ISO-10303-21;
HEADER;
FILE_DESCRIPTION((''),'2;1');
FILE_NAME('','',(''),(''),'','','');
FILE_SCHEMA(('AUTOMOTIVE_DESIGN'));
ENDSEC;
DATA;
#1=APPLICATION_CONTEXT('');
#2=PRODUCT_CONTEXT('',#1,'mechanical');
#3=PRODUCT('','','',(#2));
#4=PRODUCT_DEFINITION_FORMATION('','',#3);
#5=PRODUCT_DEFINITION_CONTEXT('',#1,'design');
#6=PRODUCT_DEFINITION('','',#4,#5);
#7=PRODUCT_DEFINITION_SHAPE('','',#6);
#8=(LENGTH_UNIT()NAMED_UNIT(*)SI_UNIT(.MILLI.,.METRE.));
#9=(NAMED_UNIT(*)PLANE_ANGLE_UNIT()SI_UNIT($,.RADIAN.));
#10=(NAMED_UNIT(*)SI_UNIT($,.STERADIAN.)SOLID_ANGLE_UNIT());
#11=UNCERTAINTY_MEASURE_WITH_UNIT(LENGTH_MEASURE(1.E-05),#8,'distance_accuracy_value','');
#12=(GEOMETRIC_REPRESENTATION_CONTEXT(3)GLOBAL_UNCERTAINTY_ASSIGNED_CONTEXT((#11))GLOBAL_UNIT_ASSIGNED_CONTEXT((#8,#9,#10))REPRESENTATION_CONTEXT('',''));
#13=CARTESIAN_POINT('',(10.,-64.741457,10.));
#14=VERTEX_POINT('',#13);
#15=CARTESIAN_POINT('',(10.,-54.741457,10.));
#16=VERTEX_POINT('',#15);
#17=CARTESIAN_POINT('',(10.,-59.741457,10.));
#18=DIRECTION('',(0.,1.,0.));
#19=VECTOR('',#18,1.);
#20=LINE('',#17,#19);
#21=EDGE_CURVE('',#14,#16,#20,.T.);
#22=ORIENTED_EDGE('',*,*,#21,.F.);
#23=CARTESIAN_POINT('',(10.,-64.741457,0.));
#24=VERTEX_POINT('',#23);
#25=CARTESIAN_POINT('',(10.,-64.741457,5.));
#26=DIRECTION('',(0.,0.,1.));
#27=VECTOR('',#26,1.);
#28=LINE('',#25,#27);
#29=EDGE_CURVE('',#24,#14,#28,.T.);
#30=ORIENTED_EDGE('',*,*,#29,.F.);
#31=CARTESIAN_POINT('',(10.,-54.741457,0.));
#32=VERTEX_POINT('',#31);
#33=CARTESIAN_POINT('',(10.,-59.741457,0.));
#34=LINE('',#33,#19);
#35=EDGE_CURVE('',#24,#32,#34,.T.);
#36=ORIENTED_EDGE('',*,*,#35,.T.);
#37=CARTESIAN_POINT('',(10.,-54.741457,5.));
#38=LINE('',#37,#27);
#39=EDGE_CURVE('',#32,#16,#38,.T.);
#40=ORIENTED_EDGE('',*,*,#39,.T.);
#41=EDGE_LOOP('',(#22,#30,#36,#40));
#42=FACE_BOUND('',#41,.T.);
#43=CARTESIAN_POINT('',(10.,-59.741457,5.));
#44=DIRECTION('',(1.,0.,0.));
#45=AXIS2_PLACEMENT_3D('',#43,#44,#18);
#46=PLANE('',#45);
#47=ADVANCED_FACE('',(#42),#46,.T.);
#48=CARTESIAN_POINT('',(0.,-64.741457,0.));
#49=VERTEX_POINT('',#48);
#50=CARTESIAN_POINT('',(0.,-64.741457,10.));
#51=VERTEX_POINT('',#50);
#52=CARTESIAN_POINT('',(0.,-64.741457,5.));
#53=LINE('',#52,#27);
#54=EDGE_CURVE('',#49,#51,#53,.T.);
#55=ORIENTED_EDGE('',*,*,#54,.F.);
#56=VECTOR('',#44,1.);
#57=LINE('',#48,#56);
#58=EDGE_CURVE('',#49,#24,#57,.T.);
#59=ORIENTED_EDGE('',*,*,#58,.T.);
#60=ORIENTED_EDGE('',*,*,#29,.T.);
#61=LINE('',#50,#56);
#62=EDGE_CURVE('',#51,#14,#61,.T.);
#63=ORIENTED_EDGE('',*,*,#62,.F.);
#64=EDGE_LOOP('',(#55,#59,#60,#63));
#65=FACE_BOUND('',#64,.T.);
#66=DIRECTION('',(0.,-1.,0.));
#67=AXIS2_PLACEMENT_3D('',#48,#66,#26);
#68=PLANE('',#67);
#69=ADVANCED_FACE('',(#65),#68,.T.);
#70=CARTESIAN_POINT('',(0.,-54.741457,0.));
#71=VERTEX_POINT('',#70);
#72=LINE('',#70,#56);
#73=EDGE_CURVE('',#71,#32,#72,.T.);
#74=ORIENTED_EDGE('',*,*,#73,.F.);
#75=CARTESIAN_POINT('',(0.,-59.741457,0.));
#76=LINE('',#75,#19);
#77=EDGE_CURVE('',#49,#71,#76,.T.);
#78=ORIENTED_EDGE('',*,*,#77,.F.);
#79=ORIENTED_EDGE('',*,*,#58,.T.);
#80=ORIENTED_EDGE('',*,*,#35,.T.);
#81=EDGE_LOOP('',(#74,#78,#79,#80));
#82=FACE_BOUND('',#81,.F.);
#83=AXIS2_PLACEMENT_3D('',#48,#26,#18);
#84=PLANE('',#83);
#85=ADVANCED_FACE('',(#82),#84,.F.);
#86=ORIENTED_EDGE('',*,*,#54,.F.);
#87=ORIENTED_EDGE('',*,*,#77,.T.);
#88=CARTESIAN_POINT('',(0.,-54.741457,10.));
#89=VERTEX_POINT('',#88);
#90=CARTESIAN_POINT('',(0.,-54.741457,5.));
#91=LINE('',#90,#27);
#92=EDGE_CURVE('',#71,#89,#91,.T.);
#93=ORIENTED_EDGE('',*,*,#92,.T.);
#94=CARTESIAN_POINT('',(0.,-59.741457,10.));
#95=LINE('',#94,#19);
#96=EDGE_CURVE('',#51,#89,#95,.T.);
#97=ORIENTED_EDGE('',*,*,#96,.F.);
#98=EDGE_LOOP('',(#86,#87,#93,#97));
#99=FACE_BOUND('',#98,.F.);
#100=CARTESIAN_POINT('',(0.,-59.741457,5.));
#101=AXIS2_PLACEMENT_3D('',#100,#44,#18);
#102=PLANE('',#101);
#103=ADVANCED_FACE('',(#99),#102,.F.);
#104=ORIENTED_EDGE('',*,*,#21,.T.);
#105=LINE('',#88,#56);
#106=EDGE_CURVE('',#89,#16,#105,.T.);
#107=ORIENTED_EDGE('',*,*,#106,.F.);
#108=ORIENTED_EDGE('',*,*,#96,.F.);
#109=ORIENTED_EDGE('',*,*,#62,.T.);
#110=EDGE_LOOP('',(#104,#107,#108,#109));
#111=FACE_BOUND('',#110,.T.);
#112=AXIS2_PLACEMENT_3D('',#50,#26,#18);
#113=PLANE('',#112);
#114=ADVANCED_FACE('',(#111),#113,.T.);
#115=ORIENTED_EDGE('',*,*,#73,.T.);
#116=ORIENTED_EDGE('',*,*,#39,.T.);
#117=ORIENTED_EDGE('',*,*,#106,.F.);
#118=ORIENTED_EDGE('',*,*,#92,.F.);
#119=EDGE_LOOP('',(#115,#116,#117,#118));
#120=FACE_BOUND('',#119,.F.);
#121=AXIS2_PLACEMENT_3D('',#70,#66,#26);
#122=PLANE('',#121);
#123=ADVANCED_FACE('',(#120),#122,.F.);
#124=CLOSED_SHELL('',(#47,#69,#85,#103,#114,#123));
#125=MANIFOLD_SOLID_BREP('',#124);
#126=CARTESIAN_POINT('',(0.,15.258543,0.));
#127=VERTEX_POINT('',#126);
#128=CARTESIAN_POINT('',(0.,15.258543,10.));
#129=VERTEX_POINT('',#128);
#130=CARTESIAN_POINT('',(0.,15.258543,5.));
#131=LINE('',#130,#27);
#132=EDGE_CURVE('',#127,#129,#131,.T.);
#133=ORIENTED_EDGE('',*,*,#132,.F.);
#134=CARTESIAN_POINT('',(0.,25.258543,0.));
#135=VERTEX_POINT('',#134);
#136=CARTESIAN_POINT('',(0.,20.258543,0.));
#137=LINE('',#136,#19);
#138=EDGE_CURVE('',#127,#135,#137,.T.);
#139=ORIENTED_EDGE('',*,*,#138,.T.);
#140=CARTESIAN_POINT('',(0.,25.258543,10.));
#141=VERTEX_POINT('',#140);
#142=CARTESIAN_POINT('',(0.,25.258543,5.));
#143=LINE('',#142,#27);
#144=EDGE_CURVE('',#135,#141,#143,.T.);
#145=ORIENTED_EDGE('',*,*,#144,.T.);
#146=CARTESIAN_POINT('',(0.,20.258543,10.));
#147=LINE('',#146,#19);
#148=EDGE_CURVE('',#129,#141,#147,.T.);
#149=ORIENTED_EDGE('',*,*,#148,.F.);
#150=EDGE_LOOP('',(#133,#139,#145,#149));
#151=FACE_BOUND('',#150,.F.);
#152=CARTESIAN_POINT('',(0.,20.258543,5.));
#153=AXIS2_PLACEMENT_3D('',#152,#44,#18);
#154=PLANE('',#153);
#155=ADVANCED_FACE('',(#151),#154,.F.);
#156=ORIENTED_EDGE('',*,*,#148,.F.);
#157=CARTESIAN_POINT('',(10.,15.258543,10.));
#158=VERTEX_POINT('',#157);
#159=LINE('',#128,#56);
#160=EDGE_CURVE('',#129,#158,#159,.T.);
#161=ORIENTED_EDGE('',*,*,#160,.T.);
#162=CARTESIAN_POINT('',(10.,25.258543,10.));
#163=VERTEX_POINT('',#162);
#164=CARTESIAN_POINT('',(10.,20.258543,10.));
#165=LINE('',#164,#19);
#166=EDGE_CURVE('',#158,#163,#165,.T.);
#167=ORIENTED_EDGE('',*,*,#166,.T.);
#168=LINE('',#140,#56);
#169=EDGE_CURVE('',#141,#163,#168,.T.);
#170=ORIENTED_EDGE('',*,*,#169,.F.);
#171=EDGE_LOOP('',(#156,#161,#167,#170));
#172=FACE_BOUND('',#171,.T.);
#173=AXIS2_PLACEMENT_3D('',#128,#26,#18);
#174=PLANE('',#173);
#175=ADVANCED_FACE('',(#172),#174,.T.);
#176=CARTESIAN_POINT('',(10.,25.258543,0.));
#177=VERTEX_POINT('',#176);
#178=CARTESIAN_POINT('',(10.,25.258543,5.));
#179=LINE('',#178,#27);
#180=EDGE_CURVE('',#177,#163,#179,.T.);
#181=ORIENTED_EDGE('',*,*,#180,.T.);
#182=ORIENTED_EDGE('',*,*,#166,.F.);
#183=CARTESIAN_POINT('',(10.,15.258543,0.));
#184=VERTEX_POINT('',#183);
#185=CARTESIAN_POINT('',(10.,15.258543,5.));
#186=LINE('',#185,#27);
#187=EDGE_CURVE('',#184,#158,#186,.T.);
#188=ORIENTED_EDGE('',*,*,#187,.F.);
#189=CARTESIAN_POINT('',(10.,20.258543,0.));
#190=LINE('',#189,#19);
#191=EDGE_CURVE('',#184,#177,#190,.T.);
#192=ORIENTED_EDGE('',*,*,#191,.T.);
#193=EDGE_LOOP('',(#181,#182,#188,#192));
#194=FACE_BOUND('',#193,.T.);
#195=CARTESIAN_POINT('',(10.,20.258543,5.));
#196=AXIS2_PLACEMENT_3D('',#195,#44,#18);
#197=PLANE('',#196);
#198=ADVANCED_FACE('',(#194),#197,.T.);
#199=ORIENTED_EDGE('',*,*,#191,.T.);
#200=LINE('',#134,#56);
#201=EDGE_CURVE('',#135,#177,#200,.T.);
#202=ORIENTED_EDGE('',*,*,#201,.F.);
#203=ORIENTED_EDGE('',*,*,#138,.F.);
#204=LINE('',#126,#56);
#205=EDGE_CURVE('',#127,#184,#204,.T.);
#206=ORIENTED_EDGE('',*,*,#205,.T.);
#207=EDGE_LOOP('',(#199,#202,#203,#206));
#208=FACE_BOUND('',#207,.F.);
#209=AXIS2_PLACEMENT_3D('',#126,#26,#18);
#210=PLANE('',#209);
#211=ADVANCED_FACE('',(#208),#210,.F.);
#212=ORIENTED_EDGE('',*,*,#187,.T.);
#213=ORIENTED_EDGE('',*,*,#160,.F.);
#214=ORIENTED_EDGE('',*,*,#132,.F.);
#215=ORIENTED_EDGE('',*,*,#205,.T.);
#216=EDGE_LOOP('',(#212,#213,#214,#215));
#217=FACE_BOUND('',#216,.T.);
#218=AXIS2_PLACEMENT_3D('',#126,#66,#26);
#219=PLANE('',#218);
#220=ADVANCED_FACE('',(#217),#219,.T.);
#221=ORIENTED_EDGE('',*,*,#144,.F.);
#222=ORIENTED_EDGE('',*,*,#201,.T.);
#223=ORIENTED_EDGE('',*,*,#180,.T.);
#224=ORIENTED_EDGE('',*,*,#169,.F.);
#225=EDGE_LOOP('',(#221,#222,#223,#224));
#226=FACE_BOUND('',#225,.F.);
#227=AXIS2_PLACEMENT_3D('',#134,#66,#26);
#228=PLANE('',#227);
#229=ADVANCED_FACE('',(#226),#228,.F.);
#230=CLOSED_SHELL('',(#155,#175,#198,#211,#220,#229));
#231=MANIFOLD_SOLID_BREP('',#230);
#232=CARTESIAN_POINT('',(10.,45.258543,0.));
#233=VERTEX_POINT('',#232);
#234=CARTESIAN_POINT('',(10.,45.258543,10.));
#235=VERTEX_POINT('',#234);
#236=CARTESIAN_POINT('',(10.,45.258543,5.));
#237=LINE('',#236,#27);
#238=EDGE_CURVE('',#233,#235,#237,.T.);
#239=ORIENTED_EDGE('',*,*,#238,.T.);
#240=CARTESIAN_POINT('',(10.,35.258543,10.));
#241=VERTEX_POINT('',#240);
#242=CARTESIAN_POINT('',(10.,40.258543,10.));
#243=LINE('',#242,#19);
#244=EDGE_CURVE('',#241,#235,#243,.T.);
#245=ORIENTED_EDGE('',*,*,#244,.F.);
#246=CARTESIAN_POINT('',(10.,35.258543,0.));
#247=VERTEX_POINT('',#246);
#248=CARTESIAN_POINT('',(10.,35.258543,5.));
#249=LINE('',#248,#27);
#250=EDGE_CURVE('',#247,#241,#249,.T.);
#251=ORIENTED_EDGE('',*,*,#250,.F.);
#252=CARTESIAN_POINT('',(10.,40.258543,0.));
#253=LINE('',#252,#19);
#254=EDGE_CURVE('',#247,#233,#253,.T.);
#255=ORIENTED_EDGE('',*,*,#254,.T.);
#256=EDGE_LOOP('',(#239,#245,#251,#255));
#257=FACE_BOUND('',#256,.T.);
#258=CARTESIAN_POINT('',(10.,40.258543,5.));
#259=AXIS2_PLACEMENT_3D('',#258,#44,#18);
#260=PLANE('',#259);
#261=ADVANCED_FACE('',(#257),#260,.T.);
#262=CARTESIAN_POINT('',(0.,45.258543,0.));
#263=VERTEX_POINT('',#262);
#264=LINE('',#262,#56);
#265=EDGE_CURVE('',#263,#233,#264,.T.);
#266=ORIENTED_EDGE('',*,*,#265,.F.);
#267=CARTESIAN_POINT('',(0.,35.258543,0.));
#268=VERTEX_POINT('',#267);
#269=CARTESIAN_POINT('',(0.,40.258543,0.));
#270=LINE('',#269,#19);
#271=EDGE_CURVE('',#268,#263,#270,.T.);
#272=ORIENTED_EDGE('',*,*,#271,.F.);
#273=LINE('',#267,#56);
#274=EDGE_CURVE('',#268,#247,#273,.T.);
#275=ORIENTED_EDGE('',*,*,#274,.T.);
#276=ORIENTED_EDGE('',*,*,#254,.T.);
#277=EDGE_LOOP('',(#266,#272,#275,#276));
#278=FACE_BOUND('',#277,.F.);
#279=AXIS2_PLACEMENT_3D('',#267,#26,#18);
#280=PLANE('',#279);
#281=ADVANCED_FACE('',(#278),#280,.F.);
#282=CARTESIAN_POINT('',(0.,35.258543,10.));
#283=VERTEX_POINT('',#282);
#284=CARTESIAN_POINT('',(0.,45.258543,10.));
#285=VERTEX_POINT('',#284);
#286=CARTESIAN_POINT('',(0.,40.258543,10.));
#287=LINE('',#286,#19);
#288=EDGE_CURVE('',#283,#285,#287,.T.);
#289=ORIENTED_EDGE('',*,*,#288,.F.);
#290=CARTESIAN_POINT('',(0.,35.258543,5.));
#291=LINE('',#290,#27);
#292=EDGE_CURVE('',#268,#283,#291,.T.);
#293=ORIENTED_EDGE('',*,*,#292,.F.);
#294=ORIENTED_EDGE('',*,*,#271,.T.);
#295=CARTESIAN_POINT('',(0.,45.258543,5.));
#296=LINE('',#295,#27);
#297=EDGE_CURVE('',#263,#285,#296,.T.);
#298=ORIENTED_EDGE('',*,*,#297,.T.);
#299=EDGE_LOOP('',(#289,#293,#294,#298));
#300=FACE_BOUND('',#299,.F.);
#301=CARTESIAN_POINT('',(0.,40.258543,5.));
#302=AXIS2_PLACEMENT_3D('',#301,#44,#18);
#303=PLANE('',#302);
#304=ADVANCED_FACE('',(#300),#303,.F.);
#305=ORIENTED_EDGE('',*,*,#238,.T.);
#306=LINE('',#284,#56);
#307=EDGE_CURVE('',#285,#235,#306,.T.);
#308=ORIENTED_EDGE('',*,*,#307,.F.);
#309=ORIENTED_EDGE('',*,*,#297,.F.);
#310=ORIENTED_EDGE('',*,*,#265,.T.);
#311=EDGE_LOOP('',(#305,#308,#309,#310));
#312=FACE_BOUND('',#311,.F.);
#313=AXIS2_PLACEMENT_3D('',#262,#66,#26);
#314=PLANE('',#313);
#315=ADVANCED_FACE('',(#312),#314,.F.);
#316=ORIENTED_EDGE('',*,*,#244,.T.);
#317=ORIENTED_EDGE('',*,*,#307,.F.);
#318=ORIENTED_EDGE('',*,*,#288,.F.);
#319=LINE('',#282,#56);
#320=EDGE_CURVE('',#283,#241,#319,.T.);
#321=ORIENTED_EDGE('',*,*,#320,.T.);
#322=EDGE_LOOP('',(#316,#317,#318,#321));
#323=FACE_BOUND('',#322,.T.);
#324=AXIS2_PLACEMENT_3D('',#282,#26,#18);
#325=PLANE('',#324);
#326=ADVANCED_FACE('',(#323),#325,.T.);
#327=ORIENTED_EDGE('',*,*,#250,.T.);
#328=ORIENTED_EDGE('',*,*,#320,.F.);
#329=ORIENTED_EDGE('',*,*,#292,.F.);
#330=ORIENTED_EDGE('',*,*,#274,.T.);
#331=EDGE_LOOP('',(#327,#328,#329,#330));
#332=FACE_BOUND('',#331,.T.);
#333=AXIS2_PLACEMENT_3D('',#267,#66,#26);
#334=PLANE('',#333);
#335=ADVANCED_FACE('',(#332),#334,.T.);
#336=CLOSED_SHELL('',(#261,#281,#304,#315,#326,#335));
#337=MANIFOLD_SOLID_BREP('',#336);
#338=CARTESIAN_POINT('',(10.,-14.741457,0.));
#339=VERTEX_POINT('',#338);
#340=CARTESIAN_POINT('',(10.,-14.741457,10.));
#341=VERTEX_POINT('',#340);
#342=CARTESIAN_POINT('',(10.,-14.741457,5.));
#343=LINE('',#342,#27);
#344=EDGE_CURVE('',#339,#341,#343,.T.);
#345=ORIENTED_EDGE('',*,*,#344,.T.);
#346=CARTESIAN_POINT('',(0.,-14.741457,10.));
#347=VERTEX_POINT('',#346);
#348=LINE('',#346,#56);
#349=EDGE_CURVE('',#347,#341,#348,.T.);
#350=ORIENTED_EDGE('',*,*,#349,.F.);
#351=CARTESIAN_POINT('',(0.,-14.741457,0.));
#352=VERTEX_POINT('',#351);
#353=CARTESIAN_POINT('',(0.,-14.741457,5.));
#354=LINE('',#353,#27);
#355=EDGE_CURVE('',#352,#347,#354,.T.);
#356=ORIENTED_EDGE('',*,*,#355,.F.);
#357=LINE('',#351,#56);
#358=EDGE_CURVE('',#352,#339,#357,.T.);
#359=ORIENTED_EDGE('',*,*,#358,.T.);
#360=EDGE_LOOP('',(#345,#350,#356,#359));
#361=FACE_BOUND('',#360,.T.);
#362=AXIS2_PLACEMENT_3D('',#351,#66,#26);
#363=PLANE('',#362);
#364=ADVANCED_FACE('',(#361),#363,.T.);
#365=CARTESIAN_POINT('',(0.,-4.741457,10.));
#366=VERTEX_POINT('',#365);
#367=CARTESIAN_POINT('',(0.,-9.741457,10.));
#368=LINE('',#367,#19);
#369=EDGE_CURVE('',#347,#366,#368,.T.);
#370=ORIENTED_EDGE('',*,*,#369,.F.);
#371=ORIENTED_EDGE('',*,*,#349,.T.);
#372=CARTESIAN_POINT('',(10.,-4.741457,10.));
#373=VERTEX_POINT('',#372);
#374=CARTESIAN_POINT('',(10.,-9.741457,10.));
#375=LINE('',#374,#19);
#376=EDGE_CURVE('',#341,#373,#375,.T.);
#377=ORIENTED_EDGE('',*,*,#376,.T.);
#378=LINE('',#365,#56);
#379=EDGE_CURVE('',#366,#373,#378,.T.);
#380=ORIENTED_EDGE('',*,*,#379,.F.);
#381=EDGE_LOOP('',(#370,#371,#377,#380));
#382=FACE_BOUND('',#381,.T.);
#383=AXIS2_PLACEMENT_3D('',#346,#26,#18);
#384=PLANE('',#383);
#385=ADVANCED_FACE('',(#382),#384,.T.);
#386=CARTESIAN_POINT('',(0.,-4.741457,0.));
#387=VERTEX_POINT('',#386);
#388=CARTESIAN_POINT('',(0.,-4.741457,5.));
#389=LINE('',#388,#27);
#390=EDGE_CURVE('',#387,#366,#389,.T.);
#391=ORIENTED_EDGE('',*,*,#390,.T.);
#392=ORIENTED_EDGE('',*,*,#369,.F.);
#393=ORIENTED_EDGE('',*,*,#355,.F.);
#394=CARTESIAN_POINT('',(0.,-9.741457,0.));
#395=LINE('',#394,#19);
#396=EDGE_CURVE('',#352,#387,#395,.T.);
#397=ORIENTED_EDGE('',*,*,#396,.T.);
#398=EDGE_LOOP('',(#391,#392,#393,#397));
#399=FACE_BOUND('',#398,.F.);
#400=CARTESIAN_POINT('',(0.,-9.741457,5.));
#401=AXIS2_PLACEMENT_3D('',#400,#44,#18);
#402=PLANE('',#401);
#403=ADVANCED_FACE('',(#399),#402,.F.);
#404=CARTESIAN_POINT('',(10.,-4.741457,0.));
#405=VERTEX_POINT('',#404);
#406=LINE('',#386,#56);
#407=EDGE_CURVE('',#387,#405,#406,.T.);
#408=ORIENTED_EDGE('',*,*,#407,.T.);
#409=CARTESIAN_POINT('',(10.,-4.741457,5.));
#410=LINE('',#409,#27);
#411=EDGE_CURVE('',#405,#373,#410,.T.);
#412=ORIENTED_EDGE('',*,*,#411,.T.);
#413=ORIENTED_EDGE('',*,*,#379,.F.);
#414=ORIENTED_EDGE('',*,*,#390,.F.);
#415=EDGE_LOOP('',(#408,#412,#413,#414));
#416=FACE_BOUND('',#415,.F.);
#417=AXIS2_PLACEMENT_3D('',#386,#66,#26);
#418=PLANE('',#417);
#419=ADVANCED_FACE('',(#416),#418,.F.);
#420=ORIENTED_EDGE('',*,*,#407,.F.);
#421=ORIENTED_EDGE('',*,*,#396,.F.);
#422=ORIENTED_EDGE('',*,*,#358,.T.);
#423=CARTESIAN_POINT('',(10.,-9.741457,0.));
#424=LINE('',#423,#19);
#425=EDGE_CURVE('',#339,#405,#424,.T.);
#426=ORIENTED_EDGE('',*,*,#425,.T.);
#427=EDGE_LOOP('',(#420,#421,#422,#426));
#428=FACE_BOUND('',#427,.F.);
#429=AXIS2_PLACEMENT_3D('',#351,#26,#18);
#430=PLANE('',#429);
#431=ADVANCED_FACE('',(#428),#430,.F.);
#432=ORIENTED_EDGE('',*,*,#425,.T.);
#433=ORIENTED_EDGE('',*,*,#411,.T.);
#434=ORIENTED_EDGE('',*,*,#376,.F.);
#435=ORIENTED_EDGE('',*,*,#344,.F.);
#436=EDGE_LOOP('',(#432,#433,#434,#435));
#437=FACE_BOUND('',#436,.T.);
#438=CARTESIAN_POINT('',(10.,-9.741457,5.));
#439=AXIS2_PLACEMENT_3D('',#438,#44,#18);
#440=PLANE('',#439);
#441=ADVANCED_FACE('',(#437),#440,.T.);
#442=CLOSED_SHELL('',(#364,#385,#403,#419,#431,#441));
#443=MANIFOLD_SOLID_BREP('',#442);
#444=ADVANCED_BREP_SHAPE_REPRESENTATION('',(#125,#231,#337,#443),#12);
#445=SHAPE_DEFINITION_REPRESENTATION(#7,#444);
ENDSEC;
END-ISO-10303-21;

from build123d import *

# Parameters (mm, degrees)
F0_W     = 10
F0_H     = 10
F1_DEPTH = 10


with BuildPart() as f1:
    # F0 (on Right) → F1 (new body)
    with BuildSketch(Plane.YZ):
        with Locations((-59.741457, 5)):
            Rectangle(F0_W, F0_H)
        with Locations((-9.741457, 5)):
            Rectangle(F0_W, F0_H)
        with Locations((20.258543, 5)):
            Rectangle(F0_W, F0_H)
        with Locations((40.258543, 5)):
            Rectangle(F0_W, F0_H)
    extrude(amount=F1_DEPTH)


solid = f1.part
